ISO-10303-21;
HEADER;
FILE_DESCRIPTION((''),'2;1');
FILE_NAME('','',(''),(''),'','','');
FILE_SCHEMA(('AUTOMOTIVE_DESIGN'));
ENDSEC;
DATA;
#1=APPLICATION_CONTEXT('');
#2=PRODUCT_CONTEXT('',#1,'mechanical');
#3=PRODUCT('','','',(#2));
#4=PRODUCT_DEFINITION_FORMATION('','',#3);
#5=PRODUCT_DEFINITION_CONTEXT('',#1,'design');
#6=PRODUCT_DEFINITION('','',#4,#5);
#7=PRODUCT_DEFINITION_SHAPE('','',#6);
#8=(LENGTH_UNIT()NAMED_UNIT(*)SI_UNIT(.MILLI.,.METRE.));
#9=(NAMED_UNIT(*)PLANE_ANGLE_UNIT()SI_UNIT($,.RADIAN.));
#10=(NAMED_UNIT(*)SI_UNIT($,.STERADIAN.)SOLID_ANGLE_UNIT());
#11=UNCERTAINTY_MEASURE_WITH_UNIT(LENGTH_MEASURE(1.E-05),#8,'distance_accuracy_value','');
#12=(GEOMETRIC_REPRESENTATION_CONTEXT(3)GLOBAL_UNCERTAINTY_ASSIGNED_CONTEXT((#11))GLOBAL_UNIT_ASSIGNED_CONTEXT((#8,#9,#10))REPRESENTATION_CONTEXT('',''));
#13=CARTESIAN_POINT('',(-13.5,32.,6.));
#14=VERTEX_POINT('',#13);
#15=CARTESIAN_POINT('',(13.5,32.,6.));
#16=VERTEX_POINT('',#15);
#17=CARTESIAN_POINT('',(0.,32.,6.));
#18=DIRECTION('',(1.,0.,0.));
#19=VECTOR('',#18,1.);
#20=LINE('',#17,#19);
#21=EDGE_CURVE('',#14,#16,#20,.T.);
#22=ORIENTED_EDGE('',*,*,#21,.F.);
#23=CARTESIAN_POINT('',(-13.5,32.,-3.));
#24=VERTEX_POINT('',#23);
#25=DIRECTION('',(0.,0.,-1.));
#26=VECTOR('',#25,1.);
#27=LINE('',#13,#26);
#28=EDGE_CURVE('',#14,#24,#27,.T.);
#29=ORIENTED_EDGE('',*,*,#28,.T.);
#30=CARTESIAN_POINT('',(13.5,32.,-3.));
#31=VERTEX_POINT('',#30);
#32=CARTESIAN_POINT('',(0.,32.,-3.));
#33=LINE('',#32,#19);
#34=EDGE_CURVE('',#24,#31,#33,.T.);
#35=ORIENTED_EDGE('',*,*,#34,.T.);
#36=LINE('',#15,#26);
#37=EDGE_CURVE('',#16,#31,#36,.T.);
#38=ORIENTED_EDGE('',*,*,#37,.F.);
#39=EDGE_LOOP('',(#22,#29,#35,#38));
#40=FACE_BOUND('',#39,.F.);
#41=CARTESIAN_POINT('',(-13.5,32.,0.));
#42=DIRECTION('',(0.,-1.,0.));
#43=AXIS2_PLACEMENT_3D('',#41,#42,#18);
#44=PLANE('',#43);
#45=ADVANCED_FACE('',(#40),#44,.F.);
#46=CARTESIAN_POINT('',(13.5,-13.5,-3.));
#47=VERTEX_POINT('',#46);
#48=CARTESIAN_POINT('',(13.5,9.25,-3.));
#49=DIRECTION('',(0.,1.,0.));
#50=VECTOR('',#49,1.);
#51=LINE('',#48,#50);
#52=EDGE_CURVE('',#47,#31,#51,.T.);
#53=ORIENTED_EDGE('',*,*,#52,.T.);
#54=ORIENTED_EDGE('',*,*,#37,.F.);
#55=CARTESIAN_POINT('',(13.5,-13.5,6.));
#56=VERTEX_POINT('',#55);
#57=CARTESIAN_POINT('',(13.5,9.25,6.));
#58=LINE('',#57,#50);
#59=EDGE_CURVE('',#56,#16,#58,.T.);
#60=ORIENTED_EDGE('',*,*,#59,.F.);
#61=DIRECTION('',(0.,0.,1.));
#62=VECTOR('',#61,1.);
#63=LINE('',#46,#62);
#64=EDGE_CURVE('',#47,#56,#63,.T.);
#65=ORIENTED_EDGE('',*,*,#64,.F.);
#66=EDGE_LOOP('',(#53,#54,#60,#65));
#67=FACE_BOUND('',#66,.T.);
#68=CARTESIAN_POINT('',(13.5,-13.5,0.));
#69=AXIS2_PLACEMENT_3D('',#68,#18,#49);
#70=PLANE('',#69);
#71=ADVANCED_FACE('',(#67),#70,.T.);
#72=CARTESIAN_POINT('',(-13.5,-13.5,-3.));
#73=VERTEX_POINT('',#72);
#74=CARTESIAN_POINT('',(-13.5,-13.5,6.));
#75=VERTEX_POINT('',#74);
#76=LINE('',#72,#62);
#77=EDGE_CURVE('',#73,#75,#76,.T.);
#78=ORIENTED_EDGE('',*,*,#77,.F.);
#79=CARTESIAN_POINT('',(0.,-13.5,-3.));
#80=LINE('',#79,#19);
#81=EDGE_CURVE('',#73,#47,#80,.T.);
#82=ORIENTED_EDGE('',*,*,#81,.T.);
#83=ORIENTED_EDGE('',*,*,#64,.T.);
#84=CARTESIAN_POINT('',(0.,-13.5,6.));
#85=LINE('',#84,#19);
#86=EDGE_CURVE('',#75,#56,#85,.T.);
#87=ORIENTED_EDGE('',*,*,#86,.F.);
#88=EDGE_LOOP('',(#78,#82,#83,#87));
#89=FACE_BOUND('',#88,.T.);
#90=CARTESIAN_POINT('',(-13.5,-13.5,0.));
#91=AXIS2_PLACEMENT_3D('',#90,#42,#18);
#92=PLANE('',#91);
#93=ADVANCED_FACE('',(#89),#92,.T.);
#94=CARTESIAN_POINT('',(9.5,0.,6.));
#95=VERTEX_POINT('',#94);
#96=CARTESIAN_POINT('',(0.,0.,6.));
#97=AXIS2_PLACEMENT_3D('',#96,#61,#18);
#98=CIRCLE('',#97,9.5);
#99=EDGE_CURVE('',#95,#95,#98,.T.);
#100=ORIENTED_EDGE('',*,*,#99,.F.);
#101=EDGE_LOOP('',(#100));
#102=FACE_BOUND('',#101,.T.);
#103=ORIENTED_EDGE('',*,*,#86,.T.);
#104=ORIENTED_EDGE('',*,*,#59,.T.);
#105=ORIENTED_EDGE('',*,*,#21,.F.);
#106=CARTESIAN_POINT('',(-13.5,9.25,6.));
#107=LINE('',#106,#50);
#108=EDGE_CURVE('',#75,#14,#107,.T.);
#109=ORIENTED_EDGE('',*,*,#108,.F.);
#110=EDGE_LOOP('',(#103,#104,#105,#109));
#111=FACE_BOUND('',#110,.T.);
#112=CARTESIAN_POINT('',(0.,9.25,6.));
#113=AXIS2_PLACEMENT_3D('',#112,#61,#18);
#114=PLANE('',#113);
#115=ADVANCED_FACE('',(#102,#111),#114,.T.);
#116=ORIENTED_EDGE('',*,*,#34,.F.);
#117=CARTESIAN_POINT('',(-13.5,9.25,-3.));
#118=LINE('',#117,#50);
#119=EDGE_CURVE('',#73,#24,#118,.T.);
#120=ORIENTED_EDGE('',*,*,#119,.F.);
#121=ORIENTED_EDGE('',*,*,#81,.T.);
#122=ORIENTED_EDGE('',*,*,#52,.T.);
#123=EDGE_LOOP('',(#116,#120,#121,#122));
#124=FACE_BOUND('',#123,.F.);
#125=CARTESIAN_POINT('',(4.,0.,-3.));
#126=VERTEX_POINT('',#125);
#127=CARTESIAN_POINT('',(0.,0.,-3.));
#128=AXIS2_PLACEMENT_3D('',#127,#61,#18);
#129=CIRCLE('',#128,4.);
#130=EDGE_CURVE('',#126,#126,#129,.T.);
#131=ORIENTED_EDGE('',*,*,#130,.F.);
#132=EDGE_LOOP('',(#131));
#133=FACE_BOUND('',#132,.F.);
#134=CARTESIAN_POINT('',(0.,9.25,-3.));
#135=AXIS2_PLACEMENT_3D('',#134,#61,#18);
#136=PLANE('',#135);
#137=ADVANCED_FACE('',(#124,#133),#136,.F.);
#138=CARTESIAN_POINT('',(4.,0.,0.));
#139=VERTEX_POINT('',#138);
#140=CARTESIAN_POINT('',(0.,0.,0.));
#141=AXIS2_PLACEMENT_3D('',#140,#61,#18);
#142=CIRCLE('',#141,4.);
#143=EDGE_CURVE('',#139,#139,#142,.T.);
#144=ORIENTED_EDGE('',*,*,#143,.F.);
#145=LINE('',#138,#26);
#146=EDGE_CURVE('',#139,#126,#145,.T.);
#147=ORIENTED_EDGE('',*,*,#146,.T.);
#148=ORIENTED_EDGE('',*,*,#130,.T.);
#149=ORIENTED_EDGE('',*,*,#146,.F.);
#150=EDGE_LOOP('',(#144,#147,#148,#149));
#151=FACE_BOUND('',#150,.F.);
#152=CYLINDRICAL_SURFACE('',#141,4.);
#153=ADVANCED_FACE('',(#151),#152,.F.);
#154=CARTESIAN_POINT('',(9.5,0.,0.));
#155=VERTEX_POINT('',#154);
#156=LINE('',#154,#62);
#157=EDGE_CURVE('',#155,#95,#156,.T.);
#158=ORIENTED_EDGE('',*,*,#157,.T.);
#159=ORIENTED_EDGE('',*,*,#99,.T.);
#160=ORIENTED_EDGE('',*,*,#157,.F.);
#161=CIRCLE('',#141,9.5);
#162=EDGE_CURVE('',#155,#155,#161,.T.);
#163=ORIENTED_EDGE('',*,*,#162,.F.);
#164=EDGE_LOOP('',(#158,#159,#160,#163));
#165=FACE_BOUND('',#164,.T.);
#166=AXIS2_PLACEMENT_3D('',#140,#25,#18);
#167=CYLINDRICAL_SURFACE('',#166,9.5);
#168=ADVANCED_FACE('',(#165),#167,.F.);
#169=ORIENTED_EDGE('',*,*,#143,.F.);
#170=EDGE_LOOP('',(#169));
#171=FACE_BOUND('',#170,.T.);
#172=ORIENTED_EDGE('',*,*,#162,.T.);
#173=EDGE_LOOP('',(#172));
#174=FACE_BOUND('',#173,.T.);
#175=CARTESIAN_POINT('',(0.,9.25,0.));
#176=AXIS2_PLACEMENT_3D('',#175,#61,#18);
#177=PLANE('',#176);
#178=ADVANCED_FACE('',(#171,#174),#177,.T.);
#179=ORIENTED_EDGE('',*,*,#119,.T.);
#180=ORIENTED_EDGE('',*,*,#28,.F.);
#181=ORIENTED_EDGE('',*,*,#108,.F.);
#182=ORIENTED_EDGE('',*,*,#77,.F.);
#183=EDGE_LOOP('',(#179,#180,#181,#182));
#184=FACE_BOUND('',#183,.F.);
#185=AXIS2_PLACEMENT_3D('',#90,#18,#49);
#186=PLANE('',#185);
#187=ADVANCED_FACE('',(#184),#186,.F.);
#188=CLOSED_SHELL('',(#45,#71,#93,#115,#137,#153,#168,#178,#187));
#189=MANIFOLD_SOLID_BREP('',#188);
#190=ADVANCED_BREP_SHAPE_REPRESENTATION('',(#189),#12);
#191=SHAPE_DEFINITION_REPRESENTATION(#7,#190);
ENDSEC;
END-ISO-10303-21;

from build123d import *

# Parameters (mm, degrees)
F0_W     = 27
F0_H     = 45.5
F0_R     = 9.5
F1_DEPTH = 6
F0_R_2   = 4
F2_DEPTH = 3


with BuildPart() as f1:
    # F0 (on Top) → F1 (new body)
    with BuildSketch(Plane.XY):
        with Locations((0, 9.25)):
            Rectangle(F0_W, F0_H)
        Circle(F0_R, mode=Mode.SUBTRACT)
    extrude(amount=F1_DEPTH)

    # F0 (on Top) → F2 (join)
    with BuildSketch(Plane.XY):
        with Locations((0, 9.25)):
            Rectangle(F0_W, F0_H)
        Circle(F0_R, mode=Mode.SUBTRACT)
        Circle(F0_R)
        Circle(F0_R_2, mode=Mode.SUBTRACT)
    extrude(amount=-F2_DEPTH)


solid = f1.part
